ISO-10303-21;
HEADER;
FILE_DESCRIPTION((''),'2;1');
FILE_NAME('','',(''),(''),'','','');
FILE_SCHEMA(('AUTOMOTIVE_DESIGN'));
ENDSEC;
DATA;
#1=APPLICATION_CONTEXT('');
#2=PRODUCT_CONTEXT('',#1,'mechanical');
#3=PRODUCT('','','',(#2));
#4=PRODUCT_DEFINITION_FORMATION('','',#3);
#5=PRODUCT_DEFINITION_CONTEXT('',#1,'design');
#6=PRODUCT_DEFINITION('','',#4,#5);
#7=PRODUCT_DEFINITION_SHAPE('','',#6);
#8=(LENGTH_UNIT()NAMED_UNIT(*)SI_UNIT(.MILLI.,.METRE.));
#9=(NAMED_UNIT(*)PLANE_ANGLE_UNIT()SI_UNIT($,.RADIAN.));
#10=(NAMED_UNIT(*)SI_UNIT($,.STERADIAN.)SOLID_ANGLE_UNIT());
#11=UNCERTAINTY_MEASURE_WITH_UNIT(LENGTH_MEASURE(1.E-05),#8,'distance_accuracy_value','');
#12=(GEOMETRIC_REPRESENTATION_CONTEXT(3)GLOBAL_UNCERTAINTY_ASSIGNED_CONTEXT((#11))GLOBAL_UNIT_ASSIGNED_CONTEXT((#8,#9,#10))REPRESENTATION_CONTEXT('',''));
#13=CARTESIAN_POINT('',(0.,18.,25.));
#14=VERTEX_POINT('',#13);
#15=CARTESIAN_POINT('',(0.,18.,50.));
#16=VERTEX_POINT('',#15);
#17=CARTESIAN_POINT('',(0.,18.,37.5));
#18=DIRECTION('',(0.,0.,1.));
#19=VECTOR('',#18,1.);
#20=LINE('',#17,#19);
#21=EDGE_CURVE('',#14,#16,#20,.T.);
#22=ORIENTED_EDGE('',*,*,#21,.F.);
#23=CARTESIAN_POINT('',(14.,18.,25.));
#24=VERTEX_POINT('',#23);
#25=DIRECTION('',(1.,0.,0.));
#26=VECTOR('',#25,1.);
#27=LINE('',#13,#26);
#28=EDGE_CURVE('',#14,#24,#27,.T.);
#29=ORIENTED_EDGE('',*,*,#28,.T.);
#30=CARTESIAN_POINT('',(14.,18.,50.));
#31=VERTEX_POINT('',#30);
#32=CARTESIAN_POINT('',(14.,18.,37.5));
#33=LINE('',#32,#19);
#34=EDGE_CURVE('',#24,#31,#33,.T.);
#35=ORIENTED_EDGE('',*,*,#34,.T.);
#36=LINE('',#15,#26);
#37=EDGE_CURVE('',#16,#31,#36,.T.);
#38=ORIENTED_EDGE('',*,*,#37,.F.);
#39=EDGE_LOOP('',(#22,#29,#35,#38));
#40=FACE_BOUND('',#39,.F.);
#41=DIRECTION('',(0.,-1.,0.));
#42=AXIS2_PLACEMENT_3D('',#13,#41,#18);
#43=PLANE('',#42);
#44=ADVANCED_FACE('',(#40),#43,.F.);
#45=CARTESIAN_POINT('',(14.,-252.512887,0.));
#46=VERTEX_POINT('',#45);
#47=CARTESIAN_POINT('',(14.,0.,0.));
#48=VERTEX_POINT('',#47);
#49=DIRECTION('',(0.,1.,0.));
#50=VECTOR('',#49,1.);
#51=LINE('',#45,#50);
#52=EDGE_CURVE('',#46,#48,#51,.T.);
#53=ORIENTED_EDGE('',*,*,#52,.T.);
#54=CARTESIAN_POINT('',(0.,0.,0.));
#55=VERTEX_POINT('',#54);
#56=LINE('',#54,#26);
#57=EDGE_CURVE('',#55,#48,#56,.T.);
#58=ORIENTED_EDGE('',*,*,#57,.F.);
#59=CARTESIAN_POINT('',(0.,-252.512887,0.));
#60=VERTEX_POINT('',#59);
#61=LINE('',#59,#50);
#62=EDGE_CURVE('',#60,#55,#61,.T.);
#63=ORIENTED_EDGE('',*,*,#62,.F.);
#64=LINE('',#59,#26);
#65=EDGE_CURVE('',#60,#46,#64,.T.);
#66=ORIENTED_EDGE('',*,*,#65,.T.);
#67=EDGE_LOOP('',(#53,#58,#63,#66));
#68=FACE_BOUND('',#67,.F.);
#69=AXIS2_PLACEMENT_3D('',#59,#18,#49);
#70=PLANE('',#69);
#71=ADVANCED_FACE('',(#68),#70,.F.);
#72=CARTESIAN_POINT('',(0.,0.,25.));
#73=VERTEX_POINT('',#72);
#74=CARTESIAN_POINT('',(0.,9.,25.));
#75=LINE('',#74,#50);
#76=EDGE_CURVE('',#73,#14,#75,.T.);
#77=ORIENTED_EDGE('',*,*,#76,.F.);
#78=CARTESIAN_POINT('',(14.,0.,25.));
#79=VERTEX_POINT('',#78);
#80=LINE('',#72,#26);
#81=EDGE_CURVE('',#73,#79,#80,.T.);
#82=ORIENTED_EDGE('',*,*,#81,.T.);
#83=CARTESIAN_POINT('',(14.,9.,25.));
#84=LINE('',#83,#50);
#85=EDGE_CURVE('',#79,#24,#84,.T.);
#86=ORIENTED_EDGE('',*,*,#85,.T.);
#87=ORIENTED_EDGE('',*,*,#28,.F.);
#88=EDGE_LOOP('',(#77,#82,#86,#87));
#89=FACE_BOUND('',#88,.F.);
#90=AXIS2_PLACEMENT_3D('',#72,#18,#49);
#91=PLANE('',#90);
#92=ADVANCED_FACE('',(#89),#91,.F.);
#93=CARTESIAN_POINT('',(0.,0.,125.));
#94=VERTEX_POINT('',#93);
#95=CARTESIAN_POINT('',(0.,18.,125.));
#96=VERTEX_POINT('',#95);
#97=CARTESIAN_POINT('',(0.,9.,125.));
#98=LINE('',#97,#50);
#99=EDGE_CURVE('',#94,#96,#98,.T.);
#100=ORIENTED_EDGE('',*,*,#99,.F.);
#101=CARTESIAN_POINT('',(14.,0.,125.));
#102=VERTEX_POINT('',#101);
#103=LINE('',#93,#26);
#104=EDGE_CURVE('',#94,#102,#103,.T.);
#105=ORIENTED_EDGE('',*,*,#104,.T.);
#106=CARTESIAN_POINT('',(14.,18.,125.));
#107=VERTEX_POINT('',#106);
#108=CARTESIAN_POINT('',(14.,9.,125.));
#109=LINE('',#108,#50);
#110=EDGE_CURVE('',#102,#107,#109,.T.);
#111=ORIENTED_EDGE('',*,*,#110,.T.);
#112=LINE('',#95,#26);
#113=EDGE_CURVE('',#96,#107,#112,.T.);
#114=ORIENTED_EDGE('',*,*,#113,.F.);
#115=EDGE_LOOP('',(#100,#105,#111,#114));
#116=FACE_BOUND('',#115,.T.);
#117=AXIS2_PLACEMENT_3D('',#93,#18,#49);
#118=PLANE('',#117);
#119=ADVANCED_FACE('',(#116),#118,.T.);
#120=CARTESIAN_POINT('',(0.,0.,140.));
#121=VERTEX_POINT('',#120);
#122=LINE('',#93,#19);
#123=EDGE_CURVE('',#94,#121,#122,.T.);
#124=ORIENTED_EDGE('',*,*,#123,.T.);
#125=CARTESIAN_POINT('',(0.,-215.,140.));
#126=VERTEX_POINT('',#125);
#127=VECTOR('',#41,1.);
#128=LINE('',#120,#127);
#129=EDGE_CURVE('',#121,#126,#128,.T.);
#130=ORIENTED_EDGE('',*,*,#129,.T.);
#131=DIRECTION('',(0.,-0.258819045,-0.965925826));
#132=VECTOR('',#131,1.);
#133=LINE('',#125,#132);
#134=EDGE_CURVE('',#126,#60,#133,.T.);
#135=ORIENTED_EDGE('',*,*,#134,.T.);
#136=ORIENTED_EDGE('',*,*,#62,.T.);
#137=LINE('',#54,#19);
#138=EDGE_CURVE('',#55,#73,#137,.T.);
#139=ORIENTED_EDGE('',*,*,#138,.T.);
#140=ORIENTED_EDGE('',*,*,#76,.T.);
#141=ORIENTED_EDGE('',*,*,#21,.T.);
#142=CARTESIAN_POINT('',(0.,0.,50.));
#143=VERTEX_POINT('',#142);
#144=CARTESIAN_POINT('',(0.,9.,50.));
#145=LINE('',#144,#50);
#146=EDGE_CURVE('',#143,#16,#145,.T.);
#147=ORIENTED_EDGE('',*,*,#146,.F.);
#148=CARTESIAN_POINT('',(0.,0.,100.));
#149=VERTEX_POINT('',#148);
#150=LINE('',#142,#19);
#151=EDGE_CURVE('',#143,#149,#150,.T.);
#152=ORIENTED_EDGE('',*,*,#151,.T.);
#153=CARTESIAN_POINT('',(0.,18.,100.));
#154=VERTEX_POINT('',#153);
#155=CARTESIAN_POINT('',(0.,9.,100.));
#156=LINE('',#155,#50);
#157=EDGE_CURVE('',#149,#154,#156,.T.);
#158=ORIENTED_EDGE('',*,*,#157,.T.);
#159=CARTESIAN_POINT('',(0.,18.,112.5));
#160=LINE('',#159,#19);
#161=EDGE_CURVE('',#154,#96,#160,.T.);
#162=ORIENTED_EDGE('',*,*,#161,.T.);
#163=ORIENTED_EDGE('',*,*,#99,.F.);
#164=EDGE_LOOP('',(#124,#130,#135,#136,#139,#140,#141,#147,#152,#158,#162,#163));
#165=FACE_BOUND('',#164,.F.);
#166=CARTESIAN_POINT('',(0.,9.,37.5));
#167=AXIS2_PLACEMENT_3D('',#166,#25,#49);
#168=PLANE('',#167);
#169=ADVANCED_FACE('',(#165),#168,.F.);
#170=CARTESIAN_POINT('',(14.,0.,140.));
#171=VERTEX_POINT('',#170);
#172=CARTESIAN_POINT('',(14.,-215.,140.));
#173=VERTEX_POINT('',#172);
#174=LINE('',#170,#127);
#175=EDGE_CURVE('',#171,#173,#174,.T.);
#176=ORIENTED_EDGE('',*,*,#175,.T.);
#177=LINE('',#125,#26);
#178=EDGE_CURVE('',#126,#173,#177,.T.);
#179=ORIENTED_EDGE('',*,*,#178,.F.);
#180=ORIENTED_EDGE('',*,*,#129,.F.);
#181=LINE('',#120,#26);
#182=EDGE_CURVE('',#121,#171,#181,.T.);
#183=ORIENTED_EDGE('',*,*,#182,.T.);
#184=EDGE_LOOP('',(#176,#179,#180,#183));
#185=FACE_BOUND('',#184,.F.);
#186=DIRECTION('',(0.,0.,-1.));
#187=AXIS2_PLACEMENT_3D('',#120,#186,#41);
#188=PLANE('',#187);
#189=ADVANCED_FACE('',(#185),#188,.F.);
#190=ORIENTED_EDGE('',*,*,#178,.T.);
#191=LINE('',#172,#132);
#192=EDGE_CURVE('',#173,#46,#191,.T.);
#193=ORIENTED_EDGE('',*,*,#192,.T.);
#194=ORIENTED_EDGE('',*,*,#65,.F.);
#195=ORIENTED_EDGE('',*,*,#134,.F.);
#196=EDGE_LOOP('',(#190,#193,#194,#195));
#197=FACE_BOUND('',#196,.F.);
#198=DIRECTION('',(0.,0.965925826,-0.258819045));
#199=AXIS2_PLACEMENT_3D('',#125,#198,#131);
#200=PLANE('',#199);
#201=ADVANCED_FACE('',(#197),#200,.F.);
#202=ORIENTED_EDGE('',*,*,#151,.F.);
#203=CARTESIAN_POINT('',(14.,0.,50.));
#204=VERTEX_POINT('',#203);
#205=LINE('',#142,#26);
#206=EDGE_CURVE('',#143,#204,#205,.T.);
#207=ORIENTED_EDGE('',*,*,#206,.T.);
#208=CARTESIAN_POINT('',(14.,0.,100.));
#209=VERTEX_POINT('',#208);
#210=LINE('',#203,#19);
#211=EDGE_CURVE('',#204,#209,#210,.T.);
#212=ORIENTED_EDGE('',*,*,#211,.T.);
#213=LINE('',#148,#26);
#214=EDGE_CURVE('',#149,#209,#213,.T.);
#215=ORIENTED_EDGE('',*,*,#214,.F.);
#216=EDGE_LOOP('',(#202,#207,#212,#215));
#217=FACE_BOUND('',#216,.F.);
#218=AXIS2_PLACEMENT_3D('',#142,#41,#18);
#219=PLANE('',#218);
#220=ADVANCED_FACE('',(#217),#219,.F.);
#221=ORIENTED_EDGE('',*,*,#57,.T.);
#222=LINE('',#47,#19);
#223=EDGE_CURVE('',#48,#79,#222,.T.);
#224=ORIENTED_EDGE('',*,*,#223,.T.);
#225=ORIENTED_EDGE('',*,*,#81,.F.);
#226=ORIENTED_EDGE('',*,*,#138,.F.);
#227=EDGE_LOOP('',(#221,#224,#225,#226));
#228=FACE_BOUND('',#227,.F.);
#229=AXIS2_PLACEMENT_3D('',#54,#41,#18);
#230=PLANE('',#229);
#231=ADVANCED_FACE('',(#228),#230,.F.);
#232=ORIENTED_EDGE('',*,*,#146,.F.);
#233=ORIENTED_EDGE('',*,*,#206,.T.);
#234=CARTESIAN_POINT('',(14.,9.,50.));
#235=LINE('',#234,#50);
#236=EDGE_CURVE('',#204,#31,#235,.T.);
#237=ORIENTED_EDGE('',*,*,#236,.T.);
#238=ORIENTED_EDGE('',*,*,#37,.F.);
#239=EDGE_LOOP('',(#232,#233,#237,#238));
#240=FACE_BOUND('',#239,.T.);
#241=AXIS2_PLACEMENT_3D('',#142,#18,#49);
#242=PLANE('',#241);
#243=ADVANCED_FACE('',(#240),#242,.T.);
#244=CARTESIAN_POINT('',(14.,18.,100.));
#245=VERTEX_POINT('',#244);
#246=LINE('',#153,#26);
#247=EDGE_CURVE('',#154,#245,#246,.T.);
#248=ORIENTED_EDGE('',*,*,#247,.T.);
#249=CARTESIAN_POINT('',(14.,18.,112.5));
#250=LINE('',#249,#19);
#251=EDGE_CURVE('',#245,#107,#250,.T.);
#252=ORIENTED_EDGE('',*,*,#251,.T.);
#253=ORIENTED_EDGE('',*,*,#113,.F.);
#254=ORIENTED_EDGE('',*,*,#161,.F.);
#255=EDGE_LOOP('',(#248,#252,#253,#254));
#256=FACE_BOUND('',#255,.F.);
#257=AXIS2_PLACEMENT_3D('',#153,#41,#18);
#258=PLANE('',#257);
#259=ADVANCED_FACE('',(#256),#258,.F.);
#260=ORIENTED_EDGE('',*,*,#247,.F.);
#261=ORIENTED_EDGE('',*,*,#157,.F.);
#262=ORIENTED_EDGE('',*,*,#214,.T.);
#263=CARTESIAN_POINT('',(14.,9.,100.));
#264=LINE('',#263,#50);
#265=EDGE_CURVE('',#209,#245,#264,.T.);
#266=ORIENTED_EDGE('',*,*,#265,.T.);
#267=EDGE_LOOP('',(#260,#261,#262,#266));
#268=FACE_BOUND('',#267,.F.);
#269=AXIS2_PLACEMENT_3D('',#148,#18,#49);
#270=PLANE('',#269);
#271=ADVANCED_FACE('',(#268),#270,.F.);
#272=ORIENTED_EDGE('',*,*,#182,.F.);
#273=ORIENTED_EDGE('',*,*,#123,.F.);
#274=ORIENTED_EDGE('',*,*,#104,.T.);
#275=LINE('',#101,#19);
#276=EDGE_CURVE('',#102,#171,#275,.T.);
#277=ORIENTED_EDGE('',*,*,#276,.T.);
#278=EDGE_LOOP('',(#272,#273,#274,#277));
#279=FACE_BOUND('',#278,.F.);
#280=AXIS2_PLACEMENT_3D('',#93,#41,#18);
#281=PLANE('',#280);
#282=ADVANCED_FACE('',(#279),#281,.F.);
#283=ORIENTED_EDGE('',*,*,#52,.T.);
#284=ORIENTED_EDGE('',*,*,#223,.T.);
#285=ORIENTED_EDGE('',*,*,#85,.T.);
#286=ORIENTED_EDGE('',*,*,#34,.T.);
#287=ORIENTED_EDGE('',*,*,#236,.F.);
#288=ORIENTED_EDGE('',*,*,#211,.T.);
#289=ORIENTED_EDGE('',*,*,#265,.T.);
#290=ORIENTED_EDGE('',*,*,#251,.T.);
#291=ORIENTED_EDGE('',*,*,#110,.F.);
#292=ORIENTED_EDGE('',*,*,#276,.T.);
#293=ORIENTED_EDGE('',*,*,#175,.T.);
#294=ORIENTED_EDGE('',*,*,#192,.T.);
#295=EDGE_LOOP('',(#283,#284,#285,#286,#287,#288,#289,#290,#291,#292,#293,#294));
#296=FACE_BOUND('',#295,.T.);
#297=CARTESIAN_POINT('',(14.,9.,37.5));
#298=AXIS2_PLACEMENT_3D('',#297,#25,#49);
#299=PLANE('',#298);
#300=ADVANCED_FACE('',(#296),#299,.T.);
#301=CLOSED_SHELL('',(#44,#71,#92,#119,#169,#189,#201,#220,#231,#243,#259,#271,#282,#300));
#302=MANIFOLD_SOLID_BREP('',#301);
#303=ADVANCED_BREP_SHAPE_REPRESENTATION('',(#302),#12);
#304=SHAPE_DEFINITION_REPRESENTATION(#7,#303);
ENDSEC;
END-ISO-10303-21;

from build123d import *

# Parameters (mm, degrees)
F0_W     = 18
F0_H     = 25
F1_DEPTH = 14


with BuildPart() as f1:
    # F0 (on Right) → F1 (new body)
    with BuildSketch(Plane.YZ):
        with Locations((9, 37.5)):
            Rectangle(F0_W, F0_H)
        with Locations((9, 112.5)):
            Rectangle(F0_W, F0_H)
        Polygon((-252.512887, 0), (0, 0), (0, 25), (0, 50), (0, 100), (0, 125), (0, 140), (-215, 140), align=None)
    extrude(amount=F1_DEPTH)


solid = f1.part
